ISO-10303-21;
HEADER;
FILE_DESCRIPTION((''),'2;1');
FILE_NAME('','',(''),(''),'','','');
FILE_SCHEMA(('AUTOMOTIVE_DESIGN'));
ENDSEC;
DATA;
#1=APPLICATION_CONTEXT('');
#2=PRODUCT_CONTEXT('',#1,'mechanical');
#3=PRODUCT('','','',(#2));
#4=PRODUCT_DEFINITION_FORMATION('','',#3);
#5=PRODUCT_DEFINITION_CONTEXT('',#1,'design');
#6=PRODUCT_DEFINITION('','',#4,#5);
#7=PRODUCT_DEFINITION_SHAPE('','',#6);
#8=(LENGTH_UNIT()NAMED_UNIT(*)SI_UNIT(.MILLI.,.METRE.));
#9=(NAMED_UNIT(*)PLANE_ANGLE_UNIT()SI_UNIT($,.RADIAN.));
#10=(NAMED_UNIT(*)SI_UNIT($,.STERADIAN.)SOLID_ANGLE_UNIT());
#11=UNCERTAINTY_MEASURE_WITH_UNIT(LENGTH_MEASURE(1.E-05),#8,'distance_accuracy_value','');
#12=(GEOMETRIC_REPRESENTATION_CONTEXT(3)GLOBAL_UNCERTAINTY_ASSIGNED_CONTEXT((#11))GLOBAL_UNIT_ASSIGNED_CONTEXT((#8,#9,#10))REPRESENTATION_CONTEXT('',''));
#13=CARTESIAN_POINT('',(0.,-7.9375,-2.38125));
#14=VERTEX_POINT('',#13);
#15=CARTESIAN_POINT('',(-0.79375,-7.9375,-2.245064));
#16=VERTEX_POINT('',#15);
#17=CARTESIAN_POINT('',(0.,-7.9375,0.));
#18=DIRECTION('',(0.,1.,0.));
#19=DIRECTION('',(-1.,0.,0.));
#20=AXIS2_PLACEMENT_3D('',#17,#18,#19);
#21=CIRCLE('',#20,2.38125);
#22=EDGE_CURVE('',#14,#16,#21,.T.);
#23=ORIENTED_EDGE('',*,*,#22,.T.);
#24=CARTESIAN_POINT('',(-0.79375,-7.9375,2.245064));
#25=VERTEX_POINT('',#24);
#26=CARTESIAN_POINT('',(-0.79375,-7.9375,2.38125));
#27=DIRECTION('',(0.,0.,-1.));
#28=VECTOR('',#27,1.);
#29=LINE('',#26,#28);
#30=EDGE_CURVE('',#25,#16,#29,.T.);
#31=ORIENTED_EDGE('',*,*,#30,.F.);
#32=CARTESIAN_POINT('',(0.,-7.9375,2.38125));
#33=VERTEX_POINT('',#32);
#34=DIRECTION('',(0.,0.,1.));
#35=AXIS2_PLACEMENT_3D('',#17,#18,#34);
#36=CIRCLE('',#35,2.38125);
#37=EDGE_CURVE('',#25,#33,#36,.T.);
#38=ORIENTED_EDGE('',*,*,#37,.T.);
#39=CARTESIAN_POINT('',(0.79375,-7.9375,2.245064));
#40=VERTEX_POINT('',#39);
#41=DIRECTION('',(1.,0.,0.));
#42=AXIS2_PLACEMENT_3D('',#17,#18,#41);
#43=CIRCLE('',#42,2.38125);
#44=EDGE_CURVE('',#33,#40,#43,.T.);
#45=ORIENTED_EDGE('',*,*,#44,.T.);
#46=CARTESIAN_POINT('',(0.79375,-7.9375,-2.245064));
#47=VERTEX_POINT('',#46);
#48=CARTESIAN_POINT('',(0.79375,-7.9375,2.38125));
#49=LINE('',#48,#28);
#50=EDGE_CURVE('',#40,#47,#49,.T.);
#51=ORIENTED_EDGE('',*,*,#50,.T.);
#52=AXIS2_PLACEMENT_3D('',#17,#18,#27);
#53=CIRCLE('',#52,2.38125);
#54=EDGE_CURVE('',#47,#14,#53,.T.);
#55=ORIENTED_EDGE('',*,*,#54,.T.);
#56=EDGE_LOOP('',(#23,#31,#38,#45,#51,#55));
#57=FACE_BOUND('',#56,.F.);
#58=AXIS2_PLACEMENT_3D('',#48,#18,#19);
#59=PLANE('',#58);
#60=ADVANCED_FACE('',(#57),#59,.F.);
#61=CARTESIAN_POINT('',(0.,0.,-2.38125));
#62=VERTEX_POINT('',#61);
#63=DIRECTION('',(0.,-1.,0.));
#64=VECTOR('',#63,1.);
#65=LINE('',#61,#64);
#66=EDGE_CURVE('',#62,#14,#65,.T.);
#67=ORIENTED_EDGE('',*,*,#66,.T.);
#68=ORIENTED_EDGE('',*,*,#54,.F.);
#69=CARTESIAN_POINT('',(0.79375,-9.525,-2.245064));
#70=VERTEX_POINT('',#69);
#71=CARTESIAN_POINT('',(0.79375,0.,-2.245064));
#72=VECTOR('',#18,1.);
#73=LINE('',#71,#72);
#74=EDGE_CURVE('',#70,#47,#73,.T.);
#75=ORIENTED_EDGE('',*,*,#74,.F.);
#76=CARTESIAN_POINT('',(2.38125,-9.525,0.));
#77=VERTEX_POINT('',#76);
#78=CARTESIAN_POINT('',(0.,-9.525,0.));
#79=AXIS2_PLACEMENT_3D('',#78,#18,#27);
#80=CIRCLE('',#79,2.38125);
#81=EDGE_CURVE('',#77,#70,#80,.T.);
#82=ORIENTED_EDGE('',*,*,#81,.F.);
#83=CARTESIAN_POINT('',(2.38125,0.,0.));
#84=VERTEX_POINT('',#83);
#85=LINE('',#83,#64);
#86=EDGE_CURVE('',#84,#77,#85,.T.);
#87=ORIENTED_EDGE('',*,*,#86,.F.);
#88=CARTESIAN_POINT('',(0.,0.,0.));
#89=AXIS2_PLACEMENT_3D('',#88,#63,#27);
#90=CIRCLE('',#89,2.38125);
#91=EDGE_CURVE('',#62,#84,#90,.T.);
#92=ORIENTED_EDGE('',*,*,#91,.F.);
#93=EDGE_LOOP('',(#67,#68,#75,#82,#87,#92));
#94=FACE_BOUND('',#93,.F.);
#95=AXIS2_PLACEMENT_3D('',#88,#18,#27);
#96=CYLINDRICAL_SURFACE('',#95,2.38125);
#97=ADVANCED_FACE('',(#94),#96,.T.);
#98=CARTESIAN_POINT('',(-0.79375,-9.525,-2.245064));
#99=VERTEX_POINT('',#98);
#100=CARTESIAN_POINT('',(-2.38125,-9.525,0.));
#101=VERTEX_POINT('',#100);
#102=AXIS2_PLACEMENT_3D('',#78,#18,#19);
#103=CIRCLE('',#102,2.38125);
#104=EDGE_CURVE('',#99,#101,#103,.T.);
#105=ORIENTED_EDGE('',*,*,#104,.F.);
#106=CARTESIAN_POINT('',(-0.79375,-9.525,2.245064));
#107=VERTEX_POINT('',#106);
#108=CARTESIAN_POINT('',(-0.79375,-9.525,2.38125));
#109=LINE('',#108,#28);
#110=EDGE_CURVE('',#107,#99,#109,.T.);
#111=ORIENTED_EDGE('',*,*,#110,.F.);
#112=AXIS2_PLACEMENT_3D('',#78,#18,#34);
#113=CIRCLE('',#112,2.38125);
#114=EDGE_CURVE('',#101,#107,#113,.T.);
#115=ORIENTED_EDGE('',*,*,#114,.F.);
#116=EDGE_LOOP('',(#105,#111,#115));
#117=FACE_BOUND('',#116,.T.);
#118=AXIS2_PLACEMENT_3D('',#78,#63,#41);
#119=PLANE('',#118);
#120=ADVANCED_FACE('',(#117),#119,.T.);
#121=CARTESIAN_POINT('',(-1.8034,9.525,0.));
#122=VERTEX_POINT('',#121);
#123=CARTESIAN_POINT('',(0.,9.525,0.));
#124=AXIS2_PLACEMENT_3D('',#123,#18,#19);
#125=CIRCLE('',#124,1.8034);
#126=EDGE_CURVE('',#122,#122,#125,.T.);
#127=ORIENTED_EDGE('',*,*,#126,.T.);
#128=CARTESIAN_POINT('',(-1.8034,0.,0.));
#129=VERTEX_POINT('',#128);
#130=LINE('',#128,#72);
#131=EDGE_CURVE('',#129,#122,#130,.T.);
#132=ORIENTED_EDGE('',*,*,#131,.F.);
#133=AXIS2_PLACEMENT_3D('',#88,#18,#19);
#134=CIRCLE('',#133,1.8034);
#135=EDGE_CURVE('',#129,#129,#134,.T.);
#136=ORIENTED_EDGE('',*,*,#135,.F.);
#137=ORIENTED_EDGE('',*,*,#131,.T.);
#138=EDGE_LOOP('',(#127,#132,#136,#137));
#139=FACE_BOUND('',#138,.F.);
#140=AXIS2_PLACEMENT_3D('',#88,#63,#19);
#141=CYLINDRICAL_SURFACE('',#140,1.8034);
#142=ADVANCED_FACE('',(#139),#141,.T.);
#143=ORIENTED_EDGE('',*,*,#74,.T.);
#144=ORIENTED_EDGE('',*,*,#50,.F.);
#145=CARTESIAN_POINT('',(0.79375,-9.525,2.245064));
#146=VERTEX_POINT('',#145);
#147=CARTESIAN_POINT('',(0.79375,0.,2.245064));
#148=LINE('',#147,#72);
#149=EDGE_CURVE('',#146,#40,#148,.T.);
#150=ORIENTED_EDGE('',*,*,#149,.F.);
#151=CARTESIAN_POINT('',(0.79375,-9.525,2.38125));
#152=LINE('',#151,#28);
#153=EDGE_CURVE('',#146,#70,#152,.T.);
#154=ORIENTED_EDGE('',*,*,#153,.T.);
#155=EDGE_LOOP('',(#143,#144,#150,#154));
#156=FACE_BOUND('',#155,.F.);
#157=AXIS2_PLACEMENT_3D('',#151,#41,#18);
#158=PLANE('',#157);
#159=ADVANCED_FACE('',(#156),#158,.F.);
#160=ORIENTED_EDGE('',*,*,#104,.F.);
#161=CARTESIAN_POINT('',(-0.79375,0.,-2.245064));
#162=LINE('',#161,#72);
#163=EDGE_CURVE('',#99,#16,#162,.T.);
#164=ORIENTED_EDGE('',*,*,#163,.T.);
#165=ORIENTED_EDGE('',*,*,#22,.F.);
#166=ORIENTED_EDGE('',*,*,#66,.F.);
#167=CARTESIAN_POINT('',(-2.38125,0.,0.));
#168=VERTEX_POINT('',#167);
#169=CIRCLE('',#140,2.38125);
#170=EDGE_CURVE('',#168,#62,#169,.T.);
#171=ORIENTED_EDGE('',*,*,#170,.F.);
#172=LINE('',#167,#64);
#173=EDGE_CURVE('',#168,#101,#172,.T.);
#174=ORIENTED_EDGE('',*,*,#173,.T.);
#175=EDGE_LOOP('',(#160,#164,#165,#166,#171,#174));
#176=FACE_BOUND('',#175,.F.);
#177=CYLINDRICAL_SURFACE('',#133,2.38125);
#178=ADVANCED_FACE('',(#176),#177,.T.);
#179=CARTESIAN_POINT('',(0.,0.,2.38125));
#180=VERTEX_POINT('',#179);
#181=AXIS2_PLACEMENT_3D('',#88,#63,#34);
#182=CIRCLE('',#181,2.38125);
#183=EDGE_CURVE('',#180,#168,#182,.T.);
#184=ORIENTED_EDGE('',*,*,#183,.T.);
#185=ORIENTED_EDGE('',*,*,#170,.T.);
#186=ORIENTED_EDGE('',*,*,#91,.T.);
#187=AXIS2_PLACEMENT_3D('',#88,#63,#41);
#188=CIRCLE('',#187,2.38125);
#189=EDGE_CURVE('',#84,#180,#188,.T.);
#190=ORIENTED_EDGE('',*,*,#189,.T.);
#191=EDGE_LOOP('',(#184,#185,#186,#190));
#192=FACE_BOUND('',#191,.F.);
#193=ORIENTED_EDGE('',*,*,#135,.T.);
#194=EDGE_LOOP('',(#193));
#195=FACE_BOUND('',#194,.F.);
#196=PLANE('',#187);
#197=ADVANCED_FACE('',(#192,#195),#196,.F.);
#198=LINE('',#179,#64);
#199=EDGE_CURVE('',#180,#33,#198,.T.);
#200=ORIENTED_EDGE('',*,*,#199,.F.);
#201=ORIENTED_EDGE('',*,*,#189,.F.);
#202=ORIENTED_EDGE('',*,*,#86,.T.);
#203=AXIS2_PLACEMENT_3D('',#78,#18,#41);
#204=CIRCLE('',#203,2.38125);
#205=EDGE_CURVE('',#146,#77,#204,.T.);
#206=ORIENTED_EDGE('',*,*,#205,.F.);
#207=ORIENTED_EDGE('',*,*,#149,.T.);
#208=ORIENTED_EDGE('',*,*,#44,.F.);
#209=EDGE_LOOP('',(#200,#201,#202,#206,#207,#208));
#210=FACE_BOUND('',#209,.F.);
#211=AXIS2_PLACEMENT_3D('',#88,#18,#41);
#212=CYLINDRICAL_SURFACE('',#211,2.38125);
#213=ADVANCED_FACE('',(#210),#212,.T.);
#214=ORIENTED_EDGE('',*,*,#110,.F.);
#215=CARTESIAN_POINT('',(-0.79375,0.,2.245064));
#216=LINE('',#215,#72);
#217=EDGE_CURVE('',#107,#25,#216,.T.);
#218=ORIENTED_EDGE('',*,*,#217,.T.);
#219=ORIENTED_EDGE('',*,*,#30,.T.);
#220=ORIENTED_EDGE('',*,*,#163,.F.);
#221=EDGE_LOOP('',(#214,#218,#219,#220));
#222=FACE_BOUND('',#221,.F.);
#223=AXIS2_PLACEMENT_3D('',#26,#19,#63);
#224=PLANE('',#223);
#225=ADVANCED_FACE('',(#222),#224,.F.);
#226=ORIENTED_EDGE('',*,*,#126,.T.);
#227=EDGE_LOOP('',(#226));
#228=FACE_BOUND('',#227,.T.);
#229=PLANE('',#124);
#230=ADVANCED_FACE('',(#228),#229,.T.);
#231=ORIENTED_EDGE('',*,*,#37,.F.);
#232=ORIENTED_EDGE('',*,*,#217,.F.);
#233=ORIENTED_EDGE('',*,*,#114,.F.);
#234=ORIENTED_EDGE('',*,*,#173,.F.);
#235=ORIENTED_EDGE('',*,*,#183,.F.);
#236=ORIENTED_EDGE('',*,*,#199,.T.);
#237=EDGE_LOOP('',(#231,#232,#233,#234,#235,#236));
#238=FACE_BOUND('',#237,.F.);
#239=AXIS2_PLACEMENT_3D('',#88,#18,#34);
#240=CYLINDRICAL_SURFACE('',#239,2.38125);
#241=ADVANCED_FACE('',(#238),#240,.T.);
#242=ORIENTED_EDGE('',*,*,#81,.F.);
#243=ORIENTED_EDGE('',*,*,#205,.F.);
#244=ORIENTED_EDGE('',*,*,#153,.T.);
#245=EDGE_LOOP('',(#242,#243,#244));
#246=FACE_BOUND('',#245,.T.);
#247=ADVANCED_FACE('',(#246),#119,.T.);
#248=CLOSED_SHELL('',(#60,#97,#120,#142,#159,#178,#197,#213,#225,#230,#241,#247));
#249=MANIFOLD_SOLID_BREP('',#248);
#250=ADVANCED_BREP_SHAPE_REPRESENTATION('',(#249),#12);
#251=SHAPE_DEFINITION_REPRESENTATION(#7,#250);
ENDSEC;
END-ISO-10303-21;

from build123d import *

# Parameters (mm, degrees)
F0_W     = 4.7625
F0_H     = 4.7625
F1_DEPTH = 9.525
F3_DEPTH = 25.4
F5_DEPTH = 25.4
F6_R     = 1.8034
F7_DEPTH = 9.525


with BuildPart() as f1:
    # F0 (on Front) → F1 (new body)
    with BuildSketch(Plane.XZ):
        Rectangle(F0_W, F0_H)
    extrude(amount=F1_DEPTH)

    # F2 (on face) → F3 (cut)
    with BuildSketch(Plane.XY.offset(2.38125)):
        Polygon((-0.79375, -9.525), (0, -9.525), (0.79375, -9.525), (0.79375, -7.9375), (-0.79375, -7.9375), align=None)
    extrude(amount=-F3_DEPTH, mode=Mode.SUBTRACT)

    # F4 (on face) → F5 (cut)
    with BuildSketch(Plane(origin=(0, 0, 0), x_dir=(-1, 0, 0), z_dir=(0, 1, 0))):
        with BuildLine():
            ThreePointArc((-2.38125, 0), (-1.6837980227, 1.6837980227), (0, 2.38125))
            Line((0, 2.38125), (-2.38125, 2.38125))
            Line((-2.38125, 2.38125), (-2.38125, 0))
        make_face()
        with BuildLine():
            ThreePointArc((0, 2.38125), (1.6837980227, 1.6837980227), (2.38125, 0))
            Line((2.38125, 0), (2.38125, 2.38125))
            Line((2.38125, 2.38125), (0, 2.38125))
        make_face()
        with BuildLine():
            Line((2.38125, -2.38125), (2.38125, 0))
            ThreePointArc((2.38125, 0), (1.6837980227, -1.6837980227), (0, -2.38125))
            Line((0, -2.38125), (2.38125, -2.38125))
        make_face()
        with BuildLine():
            Line((-2.38125, -2.38125), (0, -2.38125))
            ThreePointArc((0, -2.38125), (-1.6837980227, -1.6837980227), (-2.38125, 0))
            Line((-2.38125, 0), (-2.38125, -2.38125))
        make_face()
    extrude(amount=-F5_DEPTH, mode=Mode.SUBTRACT)

    # F6 (on face) → F7 (join)
    with BuildSketch(Plane(origin=(0, 0, 0), x_dir=(-1, 0, 0), z_dir=(0, 1, 0))):
        Circle(F6_R)
    extrude(amount=F7_DEPTH)


solid = f1.part
